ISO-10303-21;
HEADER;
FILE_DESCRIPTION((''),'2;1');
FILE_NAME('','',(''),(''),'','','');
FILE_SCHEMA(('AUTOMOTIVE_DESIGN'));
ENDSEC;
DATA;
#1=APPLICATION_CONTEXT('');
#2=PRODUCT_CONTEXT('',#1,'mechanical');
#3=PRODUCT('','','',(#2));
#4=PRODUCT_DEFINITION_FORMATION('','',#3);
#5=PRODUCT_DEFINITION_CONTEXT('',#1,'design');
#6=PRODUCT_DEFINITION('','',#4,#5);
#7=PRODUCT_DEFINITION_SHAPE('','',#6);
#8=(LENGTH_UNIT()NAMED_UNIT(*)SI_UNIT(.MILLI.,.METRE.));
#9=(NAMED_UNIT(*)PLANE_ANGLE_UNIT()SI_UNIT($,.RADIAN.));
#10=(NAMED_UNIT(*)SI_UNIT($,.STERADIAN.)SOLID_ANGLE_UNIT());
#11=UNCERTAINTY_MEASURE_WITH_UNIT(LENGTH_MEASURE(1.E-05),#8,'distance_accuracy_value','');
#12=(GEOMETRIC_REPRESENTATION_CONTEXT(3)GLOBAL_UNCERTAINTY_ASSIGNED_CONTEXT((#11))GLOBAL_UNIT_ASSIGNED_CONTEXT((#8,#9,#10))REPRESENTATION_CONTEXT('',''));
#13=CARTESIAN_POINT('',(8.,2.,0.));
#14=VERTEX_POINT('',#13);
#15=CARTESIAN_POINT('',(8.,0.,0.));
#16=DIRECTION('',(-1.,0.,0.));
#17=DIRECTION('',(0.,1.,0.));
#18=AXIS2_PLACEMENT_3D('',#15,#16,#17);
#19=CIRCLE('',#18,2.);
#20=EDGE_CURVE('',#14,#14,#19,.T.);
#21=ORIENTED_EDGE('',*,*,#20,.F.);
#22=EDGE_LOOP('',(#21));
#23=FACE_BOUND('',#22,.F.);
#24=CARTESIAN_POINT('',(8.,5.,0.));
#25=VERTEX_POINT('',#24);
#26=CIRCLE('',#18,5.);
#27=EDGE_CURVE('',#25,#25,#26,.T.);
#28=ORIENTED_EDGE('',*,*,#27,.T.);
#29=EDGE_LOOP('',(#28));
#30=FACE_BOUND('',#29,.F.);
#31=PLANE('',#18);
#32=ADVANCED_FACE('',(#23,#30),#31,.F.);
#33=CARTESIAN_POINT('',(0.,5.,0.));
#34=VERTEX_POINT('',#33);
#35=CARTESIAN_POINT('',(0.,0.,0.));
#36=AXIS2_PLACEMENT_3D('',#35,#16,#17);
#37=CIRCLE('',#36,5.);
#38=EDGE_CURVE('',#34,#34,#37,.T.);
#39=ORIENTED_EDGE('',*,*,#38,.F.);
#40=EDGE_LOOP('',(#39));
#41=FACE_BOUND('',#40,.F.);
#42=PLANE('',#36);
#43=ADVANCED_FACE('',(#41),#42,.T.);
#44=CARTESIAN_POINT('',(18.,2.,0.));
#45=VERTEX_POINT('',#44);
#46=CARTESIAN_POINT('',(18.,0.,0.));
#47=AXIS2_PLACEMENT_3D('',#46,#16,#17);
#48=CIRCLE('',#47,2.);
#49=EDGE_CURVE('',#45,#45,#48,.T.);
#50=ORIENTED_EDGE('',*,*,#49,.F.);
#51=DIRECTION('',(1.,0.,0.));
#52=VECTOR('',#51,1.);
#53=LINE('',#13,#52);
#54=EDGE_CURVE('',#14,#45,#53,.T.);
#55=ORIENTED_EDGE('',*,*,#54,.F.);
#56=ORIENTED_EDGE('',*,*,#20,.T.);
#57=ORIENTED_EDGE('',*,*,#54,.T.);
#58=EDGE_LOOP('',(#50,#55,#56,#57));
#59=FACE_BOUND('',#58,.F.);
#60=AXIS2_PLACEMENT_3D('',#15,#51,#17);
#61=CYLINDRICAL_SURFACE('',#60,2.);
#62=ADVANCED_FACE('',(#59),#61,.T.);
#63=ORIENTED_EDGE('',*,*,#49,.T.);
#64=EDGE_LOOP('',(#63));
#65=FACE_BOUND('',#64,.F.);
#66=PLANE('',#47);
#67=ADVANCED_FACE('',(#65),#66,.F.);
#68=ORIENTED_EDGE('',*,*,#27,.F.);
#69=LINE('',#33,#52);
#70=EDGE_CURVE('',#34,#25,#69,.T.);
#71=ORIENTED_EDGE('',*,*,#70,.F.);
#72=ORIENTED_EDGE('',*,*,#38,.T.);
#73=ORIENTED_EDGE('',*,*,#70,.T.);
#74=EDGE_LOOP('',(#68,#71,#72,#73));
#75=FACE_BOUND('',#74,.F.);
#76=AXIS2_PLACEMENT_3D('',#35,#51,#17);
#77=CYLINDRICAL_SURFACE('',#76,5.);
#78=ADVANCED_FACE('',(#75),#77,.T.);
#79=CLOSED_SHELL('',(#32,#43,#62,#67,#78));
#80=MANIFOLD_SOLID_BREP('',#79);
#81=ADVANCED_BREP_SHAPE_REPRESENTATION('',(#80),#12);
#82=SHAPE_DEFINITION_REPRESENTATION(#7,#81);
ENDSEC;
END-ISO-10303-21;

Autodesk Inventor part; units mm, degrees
ref_plane "YZ Plane" through (0, 0, 0) normal (1, 0, 0) x (0, 1, 0)
ref_plane "XZ Plane" through (0, 0, 0) normal (0, 1, 0) x (-1, 0, 0)
ref_plane "XY Plane" through (0, 0, 0) normal (0, 0, 1) x (1, 0, 0)
sketch "スケッチ1" plane through (0, 0, 0) normal (0, 0, 1) x (1, 0, 0)
  line L0 (0, 0) -> (0, 5)
  line L1 (0, 5) -> (8, 5)
  line L2 (8, 5) -> (8, 2)
  line L3 (8, 2) -> (18, 2)
  line L4 (18, 2) -> (18, 0)
  line L5 (18, 0) -> (0, 0)
  dimension "d0" = 10
  dimension "d1" = 2
  dimension "d2" = 5
  dimension "d3" = 8
revolve "回転1" add sketch "スケッチ1" angle 360 about axis through (18, 0, 0) along (-1, 0, 0)
properties part number "Parts_Bolt_M4_L25" material "鋼"
